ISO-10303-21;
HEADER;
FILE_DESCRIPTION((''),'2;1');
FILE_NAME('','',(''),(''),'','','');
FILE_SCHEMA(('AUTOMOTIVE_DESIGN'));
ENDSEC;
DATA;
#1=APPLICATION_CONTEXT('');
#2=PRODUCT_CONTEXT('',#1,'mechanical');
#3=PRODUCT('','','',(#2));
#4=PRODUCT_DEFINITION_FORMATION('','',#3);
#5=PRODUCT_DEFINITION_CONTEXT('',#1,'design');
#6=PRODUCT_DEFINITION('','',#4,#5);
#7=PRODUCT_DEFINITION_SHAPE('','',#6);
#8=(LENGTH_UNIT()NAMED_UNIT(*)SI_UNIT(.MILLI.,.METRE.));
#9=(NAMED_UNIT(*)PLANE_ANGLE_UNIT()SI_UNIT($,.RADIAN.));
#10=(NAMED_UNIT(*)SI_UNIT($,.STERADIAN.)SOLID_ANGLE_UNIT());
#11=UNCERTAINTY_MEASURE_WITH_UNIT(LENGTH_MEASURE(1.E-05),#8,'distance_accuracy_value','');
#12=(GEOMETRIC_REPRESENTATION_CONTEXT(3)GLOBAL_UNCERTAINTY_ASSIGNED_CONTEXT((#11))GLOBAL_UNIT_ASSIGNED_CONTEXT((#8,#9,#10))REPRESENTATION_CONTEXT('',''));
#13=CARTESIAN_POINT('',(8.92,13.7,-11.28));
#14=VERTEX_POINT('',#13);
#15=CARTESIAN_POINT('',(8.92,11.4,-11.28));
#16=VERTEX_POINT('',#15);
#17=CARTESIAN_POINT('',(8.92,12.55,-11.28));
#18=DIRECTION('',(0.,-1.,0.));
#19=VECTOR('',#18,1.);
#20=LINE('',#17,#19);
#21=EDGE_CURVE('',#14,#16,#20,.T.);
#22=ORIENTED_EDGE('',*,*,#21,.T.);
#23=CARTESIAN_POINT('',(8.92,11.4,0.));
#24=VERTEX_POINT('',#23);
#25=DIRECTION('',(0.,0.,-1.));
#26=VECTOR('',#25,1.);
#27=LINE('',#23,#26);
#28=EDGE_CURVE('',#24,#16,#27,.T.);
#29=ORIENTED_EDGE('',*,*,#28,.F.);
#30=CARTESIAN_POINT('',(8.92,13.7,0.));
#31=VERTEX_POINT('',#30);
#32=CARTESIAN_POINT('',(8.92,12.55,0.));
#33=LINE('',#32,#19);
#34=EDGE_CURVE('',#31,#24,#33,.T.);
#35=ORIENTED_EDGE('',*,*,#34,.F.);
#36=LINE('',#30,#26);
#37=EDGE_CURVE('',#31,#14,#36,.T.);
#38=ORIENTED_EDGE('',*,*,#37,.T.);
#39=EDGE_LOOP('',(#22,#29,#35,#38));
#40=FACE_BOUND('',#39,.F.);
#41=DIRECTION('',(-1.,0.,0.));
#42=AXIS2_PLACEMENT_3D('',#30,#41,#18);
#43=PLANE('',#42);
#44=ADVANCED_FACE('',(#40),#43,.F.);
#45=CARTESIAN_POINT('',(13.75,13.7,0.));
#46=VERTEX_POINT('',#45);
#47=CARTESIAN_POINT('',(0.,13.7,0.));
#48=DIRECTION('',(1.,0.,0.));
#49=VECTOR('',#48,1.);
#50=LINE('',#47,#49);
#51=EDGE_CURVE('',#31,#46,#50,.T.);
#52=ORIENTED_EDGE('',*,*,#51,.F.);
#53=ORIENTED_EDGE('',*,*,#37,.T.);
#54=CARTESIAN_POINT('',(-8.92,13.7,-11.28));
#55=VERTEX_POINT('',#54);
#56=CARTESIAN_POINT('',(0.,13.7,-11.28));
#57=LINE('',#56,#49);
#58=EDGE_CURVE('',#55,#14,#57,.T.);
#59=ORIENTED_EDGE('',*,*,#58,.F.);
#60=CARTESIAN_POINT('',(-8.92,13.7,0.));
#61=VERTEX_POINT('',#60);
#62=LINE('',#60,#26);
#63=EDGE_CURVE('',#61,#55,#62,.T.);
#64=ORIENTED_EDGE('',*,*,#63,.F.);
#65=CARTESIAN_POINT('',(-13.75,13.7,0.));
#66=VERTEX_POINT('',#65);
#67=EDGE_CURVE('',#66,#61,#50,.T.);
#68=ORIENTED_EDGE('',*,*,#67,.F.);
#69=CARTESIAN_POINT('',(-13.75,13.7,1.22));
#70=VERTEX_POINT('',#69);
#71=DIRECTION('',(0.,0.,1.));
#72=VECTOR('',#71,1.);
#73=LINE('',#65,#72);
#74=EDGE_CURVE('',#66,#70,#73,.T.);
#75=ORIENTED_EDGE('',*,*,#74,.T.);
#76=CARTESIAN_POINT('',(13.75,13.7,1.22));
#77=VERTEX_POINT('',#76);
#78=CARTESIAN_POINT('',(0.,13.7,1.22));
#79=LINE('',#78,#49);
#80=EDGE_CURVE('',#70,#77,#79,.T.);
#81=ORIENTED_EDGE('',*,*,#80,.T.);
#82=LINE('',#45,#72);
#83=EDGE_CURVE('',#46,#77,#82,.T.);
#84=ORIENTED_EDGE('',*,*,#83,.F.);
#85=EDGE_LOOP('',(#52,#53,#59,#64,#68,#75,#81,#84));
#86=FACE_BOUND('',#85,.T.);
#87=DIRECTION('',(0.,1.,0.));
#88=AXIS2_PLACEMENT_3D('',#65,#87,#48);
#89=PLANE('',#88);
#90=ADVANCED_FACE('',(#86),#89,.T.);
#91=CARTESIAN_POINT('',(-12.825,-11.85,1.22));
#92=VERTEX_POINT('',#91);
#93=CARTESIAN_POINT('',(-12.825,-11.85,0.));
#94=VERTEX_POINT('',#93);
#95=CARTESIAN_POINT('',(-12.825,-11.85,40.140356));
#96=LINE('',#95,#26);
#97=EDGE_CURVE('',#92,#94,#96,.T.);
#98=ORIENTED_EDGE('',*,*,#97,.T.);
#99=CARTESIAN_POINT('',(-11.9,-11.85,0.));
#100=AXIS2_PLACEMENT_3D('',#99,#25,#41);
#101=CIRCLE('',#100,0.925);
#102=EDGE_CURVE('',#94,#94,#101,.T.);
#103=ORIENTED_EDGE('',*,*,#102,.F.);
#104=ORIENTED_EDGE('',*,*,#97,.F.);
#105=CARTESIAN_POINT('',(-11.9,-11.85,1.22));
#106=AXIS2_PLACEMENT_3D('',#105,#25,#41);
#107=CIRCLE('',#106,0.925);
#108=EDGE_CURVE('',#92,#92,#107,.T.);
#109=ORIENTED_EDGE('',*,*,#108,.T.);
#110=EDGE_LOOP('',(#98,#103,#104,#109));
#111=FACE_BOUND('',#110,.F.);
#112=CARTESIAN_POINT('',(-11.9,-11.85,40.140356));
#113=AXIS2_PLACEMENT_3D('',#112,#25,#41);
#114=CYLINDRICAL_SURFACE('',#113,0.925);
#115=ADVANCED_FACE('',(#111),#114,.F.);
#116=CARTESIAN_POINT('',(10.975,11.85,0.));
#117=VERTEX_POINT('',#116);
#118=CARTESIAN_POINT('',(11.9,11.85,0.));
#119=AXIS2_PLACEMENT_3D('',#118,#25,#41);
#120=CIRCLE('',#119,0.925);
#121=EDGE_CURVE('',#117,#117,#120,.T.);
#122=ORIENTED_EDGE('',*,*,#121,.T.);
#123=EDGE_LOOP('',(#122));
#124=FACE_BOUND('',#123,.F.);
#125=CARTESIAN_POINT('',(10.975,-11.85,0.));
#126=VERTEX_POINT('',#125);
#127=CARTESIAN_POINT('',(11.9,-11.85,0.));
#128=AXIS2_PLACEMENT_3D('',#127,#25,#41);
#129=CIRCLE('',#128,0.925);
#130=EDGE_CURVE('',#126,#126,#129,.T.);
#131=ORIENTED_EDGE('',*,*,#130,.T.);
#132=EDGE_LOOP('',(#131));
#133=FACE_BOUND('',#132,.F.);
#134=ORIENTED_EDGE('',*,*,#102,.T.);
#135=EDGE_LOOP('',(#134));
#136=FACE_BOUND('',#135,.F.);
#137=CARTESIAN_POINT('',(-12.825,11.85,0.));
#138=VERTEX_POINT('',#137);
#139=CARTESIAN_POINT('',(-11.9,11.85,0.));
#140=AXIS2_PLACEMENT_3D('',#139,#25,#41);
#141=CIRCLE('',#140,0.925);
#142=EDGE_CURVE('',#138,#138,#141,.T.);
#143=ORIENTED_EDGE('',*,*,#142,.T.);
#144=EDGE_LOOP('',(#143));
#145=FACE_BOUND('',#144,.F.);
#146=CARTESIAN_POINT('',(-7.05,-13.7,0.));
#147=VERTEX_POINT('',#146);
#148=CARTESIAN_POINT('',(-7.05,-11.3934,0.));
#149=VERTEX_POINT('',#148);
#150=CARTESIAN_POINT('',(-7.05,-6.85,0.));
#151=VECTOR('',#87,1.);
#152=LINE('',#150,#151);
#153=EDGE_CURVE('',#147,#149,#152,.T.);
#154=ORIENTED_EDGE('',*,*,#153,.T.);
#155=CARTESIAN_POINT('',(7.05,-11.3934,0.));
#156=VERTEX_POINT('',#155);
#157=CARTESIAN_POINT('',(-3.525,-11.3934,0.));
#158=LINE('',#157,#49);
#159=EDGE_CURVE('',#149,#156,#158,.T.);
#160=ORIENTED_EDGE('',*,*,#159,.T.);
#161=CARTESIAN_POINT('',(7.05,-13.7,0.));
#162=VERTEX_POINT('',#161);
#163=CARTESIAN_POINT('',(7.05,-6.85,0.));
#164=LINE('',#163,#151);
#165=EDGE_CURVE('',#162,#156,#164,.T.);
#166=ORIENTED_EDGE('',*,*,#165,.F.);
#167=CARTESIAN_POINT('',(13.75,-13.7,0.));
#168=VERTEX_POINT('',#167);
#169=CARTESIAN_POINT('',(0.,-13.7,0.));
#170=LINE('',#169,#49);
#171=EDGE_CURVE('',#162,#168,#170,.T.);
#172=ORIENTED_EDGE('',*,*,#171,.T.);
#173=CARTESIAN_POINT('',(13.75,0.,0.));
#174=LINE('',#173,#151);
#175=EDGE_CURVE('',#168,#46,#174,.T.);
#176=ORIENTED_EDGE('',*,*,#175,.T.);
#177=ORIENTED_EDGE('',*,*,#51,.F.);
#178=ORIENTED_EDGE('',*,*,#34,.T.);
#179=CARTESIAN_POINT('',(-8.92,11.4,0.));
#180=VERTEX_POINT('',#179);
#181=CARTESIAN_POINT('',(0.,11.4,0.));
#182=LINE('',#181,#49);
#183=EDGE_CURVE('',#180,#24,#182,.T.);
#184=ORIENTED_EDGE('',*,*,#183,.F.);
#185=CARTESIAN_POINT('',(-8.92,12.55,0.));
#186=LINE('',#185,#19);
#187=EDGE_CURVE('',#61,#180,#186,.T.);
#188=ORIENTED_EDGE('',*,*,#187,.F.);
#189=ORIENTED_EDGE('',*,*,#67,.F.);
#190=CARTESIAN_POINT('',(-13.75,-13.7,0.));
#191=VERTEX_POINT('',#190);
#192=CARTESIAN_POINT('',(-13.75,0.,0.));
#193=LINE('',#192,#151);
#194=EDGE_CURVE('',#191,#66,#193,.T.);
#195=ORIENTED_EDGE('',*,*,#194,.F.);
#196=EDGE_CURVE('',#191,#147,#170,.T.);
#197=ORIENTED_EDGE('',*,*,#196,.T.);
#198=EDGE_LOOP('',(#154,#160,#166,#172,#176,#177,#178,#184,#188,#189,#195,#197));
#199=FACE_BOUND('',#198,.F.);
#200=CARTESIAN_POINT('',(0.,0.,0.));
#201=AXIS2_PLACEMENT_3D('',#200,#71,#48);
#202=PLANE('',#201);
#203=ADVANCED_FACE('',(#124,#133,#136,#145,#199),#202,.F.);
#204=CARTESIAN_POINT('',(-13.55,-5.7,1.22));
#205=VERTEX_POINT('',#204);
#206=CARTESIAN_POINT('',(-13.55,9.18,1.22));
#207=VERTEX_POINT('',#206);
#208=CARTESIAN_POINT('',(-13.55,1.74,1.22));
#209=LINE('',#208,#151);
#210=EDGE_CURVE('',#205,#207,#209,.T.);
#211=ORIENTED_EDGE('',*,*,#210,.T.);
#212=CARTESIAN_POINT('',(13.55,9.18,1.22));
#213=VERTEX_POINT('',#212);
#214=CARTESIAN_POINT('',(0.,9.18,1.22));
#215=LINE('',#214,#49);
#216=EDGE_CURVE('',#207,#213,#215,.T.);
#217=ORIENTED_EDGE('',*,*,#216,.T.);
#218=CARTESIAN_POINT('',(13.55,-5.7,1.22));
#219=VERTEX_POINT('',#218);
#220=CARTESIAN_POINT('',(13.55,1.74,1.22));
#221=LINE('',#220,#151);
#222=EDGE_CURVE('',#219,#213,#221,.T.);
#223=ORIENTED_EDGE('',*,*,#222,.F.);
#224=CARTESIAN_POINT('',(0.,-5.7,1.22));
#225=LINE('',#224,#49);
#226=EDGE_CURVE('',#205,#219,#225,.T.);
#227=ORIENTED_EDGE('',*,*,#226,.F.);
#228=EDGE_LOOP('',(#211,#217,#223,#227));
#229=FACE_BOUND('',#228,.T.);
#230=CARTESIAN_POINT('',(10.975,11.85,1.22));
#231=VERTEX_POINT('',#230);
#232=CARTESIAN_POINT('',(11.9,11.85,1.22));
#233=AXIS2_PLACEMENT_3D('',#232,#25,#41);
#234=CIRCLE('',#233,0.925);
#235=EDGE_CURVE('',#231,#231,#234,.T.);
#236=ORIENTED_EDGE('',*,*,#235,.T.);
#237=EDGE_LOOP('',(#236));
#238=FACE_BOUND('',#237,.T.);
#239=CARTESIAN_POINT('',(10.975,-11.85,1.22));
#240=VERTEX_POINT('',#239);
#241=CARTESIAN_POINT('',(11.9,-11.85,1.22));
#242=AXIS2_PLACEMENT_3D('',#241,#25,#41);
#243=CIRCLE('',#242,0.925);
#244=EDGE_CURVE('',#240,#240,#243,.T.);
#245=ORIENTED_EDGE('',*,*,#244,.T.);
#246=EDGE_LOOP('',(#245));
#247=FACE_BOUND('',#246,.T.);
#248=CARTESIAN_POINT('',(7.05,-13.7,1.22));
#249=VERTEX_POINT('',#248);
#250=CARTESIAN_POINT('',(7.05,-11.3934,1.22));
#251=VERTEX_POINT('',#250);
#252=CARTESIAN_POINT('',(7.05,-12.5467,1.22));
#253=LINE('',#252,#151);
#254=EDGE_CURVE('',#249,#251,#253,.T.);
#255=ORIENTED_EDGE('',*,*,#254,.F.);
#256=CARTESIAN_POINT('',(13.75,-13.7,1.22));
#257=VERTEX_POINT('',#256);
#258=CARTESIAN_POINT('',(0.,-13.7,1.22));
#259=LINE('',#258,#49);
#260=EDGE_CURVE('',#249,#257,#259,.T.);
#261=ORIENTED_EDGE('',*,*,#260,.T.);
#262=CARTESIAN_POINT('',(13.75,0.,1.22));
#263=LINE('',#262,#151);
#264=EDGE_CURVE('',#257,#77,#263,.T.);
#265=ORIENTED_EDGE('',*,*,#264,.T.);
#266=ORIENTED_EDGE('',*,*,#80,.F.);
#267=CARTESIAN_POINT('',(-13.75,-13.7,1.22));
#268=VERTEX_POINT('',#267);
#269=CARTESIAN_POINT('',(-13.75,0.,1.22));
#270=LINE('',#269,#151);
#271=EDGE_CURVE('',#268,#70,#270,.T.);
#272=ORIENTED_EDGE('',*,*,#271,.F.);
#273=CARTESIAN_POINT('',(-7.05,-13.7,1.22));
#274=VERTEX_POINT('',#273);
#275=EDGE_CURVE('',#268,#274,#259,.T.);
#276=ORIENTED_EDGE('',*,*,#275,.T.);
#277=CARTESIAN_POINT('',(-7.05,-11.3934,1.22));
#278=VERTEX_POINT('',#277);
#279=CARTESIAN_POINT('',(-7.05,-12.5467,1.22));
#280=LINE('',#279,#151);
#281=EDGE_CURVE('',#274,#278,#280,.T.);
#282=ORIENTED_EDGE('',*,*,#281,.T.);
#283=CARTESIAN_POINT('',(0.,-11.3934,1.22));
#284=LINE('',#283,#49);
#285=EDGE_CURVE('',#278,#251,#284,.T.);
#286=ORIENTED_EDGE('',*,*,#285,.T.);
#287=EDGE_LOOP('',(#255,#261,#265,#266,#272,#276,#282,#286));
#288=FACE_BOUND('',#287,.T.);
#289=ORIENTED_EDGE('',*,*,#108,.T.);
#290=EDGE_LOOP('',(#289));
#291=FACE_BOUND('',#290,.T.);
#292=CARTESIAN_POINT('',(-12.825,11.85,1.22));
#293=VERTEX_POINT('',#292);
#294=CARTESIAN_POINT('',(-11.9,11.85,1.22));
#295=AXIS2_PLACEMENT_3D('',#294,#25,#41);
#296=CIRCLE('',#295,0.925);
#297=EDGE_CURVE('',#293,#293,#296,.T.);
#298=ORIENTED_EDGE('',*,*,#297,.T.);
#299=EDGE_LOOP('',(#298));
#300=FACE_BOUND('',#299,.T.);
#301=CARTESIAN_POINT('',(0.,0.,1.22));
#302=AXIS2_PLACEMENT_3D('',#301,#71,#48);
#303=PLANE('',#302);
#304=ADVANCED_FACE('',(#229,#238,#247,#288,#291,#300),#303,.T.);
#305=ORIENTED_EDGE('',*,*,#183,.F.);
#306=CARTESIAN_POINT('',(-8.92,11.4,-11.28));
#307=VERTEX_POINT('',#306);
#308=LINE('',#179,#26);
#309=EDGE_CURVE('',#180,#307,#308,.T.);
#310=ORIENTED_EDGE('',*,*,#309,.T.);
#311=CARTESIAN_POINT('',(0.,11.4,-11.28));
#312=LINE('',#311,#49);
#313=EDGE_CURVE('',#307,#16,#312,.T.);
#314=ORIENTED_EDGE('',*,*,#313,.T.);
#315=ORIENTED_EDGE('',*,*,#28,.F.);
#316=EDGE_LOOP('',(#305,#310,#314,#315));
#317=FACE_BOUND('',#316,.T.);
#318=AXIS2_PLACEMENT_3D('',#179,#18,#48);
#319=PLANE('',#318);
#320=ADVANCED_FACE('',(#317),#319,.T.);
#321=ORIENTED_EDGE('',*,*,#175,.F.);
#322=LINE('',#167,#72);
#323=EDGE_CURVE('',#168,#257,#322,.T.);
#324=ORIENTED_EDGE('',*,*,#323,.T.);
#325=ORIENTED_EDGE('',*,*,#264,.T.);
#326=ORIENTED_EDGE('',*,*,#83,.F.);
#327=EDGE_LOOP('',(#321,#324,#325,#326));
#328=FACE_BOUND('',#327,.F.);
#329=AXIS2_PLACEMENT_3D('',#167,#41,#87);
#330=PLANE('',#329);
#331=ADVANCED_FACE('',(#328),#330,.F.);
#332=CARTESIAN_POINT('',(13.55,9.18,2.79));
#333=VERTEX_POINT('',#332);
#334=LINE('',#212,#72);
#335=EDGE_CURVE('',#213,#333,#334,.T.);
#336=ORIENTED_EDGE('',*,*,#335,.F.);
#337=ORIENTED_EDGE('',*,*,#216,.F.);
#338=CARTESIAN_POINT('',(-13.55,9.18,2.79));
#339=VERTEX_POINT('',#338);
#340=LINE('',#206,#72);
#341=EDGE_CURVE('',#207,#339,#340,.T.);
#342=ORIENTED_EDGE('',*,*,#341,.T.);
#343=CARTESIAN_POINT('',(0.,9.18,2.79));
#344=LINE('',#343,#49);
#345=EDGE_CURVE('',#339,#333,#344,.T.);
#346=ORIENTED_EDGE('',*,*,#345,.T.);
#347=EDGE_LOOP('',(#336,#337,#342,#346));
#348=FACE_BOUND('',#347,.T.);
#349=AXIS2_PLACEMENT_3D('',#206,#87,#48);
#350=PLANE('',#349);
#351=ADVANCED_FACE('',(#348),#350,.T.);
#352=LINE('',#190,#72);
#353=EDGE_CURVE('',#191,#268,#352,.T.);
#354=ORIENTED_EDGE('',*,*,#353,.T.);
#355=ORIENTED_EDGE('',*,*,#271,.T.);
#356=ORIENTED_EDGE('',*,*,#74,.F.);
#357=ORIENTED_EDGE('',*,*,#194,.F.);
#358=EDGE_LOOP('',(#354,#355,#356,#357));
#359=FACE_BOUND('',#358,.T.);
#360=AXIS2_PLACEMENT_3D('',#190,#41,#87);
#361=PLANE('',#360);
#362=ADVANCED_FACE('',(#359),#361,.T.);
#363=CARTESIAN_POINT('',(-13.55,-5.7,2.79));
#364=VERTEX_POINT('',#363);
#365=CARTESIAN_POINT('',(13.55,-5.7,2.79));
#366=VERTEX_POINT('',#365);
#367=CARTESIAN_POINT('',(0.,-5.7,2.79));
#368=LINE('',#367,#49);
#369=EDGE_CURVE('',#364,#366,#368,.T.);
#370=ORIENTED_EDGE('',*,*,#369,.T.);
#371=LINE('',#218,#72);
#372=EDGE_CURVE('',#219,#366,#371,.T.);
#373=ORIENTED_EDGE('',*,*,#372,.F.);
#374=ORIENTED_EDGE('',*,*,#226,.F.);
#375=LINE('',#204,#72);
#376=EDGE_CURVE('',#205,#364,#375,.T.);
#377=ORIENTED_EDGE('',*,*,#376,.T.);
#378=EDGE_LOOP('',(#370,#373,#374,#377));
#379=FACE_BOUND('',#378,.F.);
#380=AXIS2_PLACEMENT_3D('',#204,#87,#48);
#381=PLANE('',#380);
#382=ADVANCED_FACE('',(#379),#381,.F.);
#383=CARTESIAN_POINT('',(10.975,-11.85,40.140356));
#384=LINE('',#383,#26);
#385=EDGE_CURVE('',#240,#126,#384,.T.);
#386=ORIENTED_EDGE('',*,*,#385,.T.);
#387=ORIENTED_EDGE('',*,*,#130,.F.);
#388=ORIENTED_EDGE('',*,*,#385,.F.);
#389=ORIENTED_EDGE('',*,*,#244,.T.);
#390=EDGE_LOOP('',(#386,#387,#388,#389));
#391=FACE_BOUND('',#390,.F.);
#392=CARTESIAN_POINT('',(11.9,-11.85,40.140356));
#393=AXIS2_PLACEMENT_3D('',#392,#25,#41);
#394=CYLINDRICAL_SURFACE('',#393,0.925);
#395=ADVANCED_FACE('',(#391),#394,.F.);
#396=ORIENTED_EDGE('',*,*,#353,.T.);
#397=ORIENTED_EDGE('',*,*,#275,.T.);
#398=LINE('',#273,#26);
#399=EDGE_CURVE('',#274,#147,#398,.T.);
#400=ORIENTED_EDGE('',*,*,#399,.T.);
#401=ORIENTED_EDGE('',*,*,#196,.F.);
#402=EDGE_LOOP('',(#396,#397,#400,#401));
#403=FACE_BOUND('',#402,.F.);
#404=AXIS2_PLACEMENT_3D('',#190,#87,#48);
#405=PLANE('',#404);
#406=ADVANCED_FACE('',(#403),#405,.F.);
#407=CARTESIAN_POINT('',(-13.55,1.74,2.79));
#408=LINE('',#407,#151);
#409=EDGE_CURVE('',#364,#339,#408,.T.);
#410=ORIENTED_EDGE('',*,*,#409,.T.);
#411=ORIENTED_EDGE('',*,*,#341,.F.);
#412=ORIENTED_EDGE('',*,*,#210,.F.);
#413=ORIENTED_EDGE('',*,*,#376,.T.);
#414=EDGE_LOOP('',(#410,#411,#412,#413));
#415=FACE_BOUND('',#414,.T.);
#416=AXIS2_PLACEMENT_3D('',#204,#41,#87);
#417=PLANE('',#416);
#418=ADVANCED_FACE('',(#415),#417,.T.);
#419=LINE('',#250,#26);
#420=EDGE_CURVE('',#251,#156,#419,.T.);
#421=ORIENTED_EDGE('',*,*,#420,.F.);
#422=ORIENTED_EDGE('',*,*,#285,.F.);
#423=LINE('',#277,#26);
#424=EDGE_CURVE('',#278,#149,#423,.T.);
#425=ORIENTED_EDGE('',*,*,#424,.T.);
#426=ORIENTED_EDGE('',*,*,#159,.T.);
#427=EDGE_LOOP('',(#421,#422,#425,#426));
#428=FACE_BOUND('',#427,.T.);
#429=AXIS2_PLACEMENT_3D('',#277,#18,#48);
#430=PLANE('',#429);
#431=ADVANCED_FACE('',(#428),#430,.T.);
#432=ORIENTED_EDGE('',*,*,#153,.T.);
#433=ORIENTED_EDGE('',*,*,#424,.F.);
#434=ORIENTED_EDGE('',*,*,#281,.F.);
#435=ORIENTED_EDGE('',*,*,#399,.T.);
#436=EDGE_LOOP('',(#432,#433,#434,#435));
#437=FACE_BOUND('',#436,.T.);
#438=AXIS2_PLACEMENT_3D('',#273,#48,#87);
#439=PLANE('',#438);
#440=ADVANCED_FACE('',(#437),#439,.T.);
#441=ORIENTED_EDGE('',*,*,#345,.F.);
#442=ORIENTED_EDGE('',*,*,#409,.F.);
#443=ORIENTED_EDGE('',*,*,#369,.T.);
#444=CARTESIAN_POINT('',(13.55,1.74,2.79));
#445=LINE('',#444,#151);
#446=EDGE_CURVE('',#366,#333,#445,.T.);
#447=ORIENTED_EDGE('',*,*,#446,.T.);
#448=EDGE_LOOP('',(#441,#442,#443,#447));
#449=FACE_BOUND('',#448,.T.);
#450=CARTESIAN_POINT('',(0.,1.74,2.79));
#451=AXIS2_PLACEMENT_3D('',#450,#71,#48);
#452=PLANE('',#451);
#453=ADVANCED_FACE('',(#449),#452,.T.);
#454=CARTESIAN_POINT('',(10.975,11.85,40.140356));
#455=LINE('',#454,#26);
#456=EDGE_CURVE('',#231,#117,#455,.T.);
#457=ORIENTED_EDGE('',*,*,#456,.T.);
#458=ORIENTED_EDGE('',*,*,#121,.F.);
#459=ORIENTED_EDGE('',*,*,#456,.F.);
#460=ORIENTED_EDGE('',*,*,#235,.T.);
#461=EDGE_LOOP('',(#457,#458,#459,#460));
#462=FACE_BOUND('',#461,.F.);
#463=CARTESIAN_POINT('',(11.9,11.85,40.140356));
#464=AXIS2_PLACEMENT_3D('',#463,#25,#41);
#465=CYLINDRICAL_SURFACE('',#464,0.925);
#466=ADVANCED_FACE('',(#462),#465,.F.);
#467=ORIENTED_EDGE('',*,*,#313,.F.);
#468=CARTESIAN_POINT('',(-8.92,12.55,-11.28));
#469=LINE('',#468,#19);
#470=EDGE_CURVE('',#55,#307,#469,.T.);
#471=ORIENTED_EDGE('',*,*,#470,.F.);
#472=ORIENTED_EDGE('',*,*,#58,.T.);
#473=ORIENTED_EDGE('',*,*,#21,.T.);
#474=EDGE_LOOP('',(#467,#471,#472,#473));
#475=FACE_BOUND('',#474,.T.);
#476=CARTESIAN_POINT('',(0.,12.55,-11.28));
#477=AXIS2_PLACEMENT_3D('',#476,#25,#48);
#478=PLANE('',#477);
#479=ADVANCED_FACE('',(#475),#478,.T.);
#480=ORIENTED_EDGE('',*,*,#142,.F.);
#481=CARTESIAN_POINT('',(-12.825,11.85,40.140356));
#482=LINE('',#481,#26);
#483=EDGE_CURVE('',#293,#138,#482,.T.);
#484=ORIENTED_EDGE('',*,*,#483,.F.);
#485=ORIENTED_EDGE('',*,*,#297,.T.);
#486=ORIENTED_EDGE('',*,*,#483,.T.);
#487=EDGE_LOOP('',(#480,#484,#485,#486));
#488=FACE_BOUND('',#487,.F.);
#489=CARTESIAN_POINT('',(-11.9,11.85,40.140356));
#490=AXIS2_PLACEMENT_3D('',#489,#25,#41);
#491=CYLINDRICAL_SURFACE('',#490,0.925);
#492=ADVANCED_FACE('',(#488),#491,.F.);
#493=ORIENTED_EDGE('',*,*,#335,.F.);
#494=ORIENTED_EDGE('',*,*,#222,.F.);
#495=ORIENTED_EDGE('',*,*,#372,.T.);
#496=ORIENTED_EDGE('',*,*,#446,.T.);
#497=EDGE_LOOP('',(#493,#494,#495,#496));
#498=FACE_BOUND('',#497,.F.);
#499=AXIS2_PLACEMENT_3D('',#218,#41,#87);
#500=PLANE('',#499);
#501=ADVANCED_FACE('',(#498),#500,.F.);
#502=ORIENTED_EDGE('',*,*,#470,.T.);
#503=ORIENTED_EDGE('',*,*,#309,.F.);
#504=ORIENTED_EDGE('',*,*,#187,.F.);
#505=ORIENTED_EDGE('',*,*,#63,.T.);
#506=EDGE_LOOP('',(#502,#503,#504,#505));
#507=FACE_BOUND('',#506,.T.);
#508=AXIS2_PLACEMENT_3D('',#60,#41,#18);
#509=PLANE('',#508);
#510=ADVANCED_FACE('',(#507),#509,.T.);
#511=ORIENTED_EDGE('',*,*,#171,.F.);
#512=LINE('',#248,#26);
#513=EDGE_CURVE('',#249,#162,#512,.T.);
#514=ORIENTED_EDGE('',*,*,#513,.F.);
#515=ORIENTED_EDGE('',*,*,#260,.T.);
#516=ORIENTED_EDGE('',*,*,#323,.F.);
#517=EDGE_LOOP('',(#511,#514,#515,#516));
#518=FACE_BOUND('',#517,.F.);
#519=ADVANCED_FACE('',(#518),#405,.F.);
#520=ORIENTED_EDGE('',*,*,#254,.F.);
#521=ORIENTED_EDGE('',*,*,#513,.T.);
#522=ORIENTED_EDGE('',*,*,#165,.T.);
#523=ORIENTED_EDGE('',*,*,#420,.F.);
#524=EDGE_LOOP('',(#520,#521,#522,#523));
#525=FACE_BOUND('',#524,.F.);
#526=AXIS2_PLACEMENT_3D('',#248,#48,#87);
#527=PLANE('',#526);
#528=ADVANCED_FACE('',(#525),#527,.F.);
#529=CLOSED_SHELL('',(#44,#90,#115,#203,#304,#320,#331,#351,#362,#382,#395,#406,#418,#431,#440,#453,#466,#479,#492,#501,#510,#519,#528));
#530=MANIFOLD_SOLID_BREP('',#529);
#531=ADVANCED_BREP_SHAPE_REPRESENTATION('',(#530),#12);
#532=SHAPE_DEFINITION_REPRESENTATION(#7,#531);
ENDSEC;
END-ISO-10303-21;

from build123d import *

# Parameters (mm, degrees)
F0_W     = 27.5
F0_H     = 27.4
F1_DEPTH = 1.22
F2_W     = 14.1
F2_H     = 2.3066
F3_DEPTH = 25.4
F4_W     = 27.1
F4_H     = 14.88
F5_DEPTH = 1.57
F7_D     = 1.85
F8_W     = 17.84
F8_H     = 2.3
F9_DEPTH = 11.28


with BuildPart() as f1:
    # F0 (on Top) → F1 (new body)
    with BuildSketch(Plane.XY):
        Rectangle(F0_W, F0_H)
    extrude(amount=F1_DEPTH)

    # F2 (on face) → F3 (cut)
    with BuildSketch(Plane.XY.offset(1.22)):
        with Locations((0, -12.5467)):
            Rectangle(F2_W, F2_H)
    extrude(amount=-F3_DEPTH, mode=Mode.SUBTRACT)

    # F4 (on face) → F5 (join)
    with BuildSketch(Plane.XY.offset(1.22)):
        with Locations((0, 1.74)):
            Rectangle(F4_W, F4_H)
    extrude(amount=F5_DEPTH)

    # F7 (through all)
    with Locations(Plane.XY.offset(1.22)):
        with Locations((-11.9, -11.85), (-11.9, 11.85), (11.9, 11.85), (11.9, -11.85)):
            Hole(F7_D / 2)

    # F8 (on face) → F9 (join)
    with BuildSketch(Plane(origin=(0, 0, 0), x_dir=(1, 0, 0), z_dir=(0, 0, -1))):
        with Locations((0, -12.55)):
            Rectangle(F8_W, F8_H)
    extrude(amount=F9_DEPTH)


solid = f1.part
